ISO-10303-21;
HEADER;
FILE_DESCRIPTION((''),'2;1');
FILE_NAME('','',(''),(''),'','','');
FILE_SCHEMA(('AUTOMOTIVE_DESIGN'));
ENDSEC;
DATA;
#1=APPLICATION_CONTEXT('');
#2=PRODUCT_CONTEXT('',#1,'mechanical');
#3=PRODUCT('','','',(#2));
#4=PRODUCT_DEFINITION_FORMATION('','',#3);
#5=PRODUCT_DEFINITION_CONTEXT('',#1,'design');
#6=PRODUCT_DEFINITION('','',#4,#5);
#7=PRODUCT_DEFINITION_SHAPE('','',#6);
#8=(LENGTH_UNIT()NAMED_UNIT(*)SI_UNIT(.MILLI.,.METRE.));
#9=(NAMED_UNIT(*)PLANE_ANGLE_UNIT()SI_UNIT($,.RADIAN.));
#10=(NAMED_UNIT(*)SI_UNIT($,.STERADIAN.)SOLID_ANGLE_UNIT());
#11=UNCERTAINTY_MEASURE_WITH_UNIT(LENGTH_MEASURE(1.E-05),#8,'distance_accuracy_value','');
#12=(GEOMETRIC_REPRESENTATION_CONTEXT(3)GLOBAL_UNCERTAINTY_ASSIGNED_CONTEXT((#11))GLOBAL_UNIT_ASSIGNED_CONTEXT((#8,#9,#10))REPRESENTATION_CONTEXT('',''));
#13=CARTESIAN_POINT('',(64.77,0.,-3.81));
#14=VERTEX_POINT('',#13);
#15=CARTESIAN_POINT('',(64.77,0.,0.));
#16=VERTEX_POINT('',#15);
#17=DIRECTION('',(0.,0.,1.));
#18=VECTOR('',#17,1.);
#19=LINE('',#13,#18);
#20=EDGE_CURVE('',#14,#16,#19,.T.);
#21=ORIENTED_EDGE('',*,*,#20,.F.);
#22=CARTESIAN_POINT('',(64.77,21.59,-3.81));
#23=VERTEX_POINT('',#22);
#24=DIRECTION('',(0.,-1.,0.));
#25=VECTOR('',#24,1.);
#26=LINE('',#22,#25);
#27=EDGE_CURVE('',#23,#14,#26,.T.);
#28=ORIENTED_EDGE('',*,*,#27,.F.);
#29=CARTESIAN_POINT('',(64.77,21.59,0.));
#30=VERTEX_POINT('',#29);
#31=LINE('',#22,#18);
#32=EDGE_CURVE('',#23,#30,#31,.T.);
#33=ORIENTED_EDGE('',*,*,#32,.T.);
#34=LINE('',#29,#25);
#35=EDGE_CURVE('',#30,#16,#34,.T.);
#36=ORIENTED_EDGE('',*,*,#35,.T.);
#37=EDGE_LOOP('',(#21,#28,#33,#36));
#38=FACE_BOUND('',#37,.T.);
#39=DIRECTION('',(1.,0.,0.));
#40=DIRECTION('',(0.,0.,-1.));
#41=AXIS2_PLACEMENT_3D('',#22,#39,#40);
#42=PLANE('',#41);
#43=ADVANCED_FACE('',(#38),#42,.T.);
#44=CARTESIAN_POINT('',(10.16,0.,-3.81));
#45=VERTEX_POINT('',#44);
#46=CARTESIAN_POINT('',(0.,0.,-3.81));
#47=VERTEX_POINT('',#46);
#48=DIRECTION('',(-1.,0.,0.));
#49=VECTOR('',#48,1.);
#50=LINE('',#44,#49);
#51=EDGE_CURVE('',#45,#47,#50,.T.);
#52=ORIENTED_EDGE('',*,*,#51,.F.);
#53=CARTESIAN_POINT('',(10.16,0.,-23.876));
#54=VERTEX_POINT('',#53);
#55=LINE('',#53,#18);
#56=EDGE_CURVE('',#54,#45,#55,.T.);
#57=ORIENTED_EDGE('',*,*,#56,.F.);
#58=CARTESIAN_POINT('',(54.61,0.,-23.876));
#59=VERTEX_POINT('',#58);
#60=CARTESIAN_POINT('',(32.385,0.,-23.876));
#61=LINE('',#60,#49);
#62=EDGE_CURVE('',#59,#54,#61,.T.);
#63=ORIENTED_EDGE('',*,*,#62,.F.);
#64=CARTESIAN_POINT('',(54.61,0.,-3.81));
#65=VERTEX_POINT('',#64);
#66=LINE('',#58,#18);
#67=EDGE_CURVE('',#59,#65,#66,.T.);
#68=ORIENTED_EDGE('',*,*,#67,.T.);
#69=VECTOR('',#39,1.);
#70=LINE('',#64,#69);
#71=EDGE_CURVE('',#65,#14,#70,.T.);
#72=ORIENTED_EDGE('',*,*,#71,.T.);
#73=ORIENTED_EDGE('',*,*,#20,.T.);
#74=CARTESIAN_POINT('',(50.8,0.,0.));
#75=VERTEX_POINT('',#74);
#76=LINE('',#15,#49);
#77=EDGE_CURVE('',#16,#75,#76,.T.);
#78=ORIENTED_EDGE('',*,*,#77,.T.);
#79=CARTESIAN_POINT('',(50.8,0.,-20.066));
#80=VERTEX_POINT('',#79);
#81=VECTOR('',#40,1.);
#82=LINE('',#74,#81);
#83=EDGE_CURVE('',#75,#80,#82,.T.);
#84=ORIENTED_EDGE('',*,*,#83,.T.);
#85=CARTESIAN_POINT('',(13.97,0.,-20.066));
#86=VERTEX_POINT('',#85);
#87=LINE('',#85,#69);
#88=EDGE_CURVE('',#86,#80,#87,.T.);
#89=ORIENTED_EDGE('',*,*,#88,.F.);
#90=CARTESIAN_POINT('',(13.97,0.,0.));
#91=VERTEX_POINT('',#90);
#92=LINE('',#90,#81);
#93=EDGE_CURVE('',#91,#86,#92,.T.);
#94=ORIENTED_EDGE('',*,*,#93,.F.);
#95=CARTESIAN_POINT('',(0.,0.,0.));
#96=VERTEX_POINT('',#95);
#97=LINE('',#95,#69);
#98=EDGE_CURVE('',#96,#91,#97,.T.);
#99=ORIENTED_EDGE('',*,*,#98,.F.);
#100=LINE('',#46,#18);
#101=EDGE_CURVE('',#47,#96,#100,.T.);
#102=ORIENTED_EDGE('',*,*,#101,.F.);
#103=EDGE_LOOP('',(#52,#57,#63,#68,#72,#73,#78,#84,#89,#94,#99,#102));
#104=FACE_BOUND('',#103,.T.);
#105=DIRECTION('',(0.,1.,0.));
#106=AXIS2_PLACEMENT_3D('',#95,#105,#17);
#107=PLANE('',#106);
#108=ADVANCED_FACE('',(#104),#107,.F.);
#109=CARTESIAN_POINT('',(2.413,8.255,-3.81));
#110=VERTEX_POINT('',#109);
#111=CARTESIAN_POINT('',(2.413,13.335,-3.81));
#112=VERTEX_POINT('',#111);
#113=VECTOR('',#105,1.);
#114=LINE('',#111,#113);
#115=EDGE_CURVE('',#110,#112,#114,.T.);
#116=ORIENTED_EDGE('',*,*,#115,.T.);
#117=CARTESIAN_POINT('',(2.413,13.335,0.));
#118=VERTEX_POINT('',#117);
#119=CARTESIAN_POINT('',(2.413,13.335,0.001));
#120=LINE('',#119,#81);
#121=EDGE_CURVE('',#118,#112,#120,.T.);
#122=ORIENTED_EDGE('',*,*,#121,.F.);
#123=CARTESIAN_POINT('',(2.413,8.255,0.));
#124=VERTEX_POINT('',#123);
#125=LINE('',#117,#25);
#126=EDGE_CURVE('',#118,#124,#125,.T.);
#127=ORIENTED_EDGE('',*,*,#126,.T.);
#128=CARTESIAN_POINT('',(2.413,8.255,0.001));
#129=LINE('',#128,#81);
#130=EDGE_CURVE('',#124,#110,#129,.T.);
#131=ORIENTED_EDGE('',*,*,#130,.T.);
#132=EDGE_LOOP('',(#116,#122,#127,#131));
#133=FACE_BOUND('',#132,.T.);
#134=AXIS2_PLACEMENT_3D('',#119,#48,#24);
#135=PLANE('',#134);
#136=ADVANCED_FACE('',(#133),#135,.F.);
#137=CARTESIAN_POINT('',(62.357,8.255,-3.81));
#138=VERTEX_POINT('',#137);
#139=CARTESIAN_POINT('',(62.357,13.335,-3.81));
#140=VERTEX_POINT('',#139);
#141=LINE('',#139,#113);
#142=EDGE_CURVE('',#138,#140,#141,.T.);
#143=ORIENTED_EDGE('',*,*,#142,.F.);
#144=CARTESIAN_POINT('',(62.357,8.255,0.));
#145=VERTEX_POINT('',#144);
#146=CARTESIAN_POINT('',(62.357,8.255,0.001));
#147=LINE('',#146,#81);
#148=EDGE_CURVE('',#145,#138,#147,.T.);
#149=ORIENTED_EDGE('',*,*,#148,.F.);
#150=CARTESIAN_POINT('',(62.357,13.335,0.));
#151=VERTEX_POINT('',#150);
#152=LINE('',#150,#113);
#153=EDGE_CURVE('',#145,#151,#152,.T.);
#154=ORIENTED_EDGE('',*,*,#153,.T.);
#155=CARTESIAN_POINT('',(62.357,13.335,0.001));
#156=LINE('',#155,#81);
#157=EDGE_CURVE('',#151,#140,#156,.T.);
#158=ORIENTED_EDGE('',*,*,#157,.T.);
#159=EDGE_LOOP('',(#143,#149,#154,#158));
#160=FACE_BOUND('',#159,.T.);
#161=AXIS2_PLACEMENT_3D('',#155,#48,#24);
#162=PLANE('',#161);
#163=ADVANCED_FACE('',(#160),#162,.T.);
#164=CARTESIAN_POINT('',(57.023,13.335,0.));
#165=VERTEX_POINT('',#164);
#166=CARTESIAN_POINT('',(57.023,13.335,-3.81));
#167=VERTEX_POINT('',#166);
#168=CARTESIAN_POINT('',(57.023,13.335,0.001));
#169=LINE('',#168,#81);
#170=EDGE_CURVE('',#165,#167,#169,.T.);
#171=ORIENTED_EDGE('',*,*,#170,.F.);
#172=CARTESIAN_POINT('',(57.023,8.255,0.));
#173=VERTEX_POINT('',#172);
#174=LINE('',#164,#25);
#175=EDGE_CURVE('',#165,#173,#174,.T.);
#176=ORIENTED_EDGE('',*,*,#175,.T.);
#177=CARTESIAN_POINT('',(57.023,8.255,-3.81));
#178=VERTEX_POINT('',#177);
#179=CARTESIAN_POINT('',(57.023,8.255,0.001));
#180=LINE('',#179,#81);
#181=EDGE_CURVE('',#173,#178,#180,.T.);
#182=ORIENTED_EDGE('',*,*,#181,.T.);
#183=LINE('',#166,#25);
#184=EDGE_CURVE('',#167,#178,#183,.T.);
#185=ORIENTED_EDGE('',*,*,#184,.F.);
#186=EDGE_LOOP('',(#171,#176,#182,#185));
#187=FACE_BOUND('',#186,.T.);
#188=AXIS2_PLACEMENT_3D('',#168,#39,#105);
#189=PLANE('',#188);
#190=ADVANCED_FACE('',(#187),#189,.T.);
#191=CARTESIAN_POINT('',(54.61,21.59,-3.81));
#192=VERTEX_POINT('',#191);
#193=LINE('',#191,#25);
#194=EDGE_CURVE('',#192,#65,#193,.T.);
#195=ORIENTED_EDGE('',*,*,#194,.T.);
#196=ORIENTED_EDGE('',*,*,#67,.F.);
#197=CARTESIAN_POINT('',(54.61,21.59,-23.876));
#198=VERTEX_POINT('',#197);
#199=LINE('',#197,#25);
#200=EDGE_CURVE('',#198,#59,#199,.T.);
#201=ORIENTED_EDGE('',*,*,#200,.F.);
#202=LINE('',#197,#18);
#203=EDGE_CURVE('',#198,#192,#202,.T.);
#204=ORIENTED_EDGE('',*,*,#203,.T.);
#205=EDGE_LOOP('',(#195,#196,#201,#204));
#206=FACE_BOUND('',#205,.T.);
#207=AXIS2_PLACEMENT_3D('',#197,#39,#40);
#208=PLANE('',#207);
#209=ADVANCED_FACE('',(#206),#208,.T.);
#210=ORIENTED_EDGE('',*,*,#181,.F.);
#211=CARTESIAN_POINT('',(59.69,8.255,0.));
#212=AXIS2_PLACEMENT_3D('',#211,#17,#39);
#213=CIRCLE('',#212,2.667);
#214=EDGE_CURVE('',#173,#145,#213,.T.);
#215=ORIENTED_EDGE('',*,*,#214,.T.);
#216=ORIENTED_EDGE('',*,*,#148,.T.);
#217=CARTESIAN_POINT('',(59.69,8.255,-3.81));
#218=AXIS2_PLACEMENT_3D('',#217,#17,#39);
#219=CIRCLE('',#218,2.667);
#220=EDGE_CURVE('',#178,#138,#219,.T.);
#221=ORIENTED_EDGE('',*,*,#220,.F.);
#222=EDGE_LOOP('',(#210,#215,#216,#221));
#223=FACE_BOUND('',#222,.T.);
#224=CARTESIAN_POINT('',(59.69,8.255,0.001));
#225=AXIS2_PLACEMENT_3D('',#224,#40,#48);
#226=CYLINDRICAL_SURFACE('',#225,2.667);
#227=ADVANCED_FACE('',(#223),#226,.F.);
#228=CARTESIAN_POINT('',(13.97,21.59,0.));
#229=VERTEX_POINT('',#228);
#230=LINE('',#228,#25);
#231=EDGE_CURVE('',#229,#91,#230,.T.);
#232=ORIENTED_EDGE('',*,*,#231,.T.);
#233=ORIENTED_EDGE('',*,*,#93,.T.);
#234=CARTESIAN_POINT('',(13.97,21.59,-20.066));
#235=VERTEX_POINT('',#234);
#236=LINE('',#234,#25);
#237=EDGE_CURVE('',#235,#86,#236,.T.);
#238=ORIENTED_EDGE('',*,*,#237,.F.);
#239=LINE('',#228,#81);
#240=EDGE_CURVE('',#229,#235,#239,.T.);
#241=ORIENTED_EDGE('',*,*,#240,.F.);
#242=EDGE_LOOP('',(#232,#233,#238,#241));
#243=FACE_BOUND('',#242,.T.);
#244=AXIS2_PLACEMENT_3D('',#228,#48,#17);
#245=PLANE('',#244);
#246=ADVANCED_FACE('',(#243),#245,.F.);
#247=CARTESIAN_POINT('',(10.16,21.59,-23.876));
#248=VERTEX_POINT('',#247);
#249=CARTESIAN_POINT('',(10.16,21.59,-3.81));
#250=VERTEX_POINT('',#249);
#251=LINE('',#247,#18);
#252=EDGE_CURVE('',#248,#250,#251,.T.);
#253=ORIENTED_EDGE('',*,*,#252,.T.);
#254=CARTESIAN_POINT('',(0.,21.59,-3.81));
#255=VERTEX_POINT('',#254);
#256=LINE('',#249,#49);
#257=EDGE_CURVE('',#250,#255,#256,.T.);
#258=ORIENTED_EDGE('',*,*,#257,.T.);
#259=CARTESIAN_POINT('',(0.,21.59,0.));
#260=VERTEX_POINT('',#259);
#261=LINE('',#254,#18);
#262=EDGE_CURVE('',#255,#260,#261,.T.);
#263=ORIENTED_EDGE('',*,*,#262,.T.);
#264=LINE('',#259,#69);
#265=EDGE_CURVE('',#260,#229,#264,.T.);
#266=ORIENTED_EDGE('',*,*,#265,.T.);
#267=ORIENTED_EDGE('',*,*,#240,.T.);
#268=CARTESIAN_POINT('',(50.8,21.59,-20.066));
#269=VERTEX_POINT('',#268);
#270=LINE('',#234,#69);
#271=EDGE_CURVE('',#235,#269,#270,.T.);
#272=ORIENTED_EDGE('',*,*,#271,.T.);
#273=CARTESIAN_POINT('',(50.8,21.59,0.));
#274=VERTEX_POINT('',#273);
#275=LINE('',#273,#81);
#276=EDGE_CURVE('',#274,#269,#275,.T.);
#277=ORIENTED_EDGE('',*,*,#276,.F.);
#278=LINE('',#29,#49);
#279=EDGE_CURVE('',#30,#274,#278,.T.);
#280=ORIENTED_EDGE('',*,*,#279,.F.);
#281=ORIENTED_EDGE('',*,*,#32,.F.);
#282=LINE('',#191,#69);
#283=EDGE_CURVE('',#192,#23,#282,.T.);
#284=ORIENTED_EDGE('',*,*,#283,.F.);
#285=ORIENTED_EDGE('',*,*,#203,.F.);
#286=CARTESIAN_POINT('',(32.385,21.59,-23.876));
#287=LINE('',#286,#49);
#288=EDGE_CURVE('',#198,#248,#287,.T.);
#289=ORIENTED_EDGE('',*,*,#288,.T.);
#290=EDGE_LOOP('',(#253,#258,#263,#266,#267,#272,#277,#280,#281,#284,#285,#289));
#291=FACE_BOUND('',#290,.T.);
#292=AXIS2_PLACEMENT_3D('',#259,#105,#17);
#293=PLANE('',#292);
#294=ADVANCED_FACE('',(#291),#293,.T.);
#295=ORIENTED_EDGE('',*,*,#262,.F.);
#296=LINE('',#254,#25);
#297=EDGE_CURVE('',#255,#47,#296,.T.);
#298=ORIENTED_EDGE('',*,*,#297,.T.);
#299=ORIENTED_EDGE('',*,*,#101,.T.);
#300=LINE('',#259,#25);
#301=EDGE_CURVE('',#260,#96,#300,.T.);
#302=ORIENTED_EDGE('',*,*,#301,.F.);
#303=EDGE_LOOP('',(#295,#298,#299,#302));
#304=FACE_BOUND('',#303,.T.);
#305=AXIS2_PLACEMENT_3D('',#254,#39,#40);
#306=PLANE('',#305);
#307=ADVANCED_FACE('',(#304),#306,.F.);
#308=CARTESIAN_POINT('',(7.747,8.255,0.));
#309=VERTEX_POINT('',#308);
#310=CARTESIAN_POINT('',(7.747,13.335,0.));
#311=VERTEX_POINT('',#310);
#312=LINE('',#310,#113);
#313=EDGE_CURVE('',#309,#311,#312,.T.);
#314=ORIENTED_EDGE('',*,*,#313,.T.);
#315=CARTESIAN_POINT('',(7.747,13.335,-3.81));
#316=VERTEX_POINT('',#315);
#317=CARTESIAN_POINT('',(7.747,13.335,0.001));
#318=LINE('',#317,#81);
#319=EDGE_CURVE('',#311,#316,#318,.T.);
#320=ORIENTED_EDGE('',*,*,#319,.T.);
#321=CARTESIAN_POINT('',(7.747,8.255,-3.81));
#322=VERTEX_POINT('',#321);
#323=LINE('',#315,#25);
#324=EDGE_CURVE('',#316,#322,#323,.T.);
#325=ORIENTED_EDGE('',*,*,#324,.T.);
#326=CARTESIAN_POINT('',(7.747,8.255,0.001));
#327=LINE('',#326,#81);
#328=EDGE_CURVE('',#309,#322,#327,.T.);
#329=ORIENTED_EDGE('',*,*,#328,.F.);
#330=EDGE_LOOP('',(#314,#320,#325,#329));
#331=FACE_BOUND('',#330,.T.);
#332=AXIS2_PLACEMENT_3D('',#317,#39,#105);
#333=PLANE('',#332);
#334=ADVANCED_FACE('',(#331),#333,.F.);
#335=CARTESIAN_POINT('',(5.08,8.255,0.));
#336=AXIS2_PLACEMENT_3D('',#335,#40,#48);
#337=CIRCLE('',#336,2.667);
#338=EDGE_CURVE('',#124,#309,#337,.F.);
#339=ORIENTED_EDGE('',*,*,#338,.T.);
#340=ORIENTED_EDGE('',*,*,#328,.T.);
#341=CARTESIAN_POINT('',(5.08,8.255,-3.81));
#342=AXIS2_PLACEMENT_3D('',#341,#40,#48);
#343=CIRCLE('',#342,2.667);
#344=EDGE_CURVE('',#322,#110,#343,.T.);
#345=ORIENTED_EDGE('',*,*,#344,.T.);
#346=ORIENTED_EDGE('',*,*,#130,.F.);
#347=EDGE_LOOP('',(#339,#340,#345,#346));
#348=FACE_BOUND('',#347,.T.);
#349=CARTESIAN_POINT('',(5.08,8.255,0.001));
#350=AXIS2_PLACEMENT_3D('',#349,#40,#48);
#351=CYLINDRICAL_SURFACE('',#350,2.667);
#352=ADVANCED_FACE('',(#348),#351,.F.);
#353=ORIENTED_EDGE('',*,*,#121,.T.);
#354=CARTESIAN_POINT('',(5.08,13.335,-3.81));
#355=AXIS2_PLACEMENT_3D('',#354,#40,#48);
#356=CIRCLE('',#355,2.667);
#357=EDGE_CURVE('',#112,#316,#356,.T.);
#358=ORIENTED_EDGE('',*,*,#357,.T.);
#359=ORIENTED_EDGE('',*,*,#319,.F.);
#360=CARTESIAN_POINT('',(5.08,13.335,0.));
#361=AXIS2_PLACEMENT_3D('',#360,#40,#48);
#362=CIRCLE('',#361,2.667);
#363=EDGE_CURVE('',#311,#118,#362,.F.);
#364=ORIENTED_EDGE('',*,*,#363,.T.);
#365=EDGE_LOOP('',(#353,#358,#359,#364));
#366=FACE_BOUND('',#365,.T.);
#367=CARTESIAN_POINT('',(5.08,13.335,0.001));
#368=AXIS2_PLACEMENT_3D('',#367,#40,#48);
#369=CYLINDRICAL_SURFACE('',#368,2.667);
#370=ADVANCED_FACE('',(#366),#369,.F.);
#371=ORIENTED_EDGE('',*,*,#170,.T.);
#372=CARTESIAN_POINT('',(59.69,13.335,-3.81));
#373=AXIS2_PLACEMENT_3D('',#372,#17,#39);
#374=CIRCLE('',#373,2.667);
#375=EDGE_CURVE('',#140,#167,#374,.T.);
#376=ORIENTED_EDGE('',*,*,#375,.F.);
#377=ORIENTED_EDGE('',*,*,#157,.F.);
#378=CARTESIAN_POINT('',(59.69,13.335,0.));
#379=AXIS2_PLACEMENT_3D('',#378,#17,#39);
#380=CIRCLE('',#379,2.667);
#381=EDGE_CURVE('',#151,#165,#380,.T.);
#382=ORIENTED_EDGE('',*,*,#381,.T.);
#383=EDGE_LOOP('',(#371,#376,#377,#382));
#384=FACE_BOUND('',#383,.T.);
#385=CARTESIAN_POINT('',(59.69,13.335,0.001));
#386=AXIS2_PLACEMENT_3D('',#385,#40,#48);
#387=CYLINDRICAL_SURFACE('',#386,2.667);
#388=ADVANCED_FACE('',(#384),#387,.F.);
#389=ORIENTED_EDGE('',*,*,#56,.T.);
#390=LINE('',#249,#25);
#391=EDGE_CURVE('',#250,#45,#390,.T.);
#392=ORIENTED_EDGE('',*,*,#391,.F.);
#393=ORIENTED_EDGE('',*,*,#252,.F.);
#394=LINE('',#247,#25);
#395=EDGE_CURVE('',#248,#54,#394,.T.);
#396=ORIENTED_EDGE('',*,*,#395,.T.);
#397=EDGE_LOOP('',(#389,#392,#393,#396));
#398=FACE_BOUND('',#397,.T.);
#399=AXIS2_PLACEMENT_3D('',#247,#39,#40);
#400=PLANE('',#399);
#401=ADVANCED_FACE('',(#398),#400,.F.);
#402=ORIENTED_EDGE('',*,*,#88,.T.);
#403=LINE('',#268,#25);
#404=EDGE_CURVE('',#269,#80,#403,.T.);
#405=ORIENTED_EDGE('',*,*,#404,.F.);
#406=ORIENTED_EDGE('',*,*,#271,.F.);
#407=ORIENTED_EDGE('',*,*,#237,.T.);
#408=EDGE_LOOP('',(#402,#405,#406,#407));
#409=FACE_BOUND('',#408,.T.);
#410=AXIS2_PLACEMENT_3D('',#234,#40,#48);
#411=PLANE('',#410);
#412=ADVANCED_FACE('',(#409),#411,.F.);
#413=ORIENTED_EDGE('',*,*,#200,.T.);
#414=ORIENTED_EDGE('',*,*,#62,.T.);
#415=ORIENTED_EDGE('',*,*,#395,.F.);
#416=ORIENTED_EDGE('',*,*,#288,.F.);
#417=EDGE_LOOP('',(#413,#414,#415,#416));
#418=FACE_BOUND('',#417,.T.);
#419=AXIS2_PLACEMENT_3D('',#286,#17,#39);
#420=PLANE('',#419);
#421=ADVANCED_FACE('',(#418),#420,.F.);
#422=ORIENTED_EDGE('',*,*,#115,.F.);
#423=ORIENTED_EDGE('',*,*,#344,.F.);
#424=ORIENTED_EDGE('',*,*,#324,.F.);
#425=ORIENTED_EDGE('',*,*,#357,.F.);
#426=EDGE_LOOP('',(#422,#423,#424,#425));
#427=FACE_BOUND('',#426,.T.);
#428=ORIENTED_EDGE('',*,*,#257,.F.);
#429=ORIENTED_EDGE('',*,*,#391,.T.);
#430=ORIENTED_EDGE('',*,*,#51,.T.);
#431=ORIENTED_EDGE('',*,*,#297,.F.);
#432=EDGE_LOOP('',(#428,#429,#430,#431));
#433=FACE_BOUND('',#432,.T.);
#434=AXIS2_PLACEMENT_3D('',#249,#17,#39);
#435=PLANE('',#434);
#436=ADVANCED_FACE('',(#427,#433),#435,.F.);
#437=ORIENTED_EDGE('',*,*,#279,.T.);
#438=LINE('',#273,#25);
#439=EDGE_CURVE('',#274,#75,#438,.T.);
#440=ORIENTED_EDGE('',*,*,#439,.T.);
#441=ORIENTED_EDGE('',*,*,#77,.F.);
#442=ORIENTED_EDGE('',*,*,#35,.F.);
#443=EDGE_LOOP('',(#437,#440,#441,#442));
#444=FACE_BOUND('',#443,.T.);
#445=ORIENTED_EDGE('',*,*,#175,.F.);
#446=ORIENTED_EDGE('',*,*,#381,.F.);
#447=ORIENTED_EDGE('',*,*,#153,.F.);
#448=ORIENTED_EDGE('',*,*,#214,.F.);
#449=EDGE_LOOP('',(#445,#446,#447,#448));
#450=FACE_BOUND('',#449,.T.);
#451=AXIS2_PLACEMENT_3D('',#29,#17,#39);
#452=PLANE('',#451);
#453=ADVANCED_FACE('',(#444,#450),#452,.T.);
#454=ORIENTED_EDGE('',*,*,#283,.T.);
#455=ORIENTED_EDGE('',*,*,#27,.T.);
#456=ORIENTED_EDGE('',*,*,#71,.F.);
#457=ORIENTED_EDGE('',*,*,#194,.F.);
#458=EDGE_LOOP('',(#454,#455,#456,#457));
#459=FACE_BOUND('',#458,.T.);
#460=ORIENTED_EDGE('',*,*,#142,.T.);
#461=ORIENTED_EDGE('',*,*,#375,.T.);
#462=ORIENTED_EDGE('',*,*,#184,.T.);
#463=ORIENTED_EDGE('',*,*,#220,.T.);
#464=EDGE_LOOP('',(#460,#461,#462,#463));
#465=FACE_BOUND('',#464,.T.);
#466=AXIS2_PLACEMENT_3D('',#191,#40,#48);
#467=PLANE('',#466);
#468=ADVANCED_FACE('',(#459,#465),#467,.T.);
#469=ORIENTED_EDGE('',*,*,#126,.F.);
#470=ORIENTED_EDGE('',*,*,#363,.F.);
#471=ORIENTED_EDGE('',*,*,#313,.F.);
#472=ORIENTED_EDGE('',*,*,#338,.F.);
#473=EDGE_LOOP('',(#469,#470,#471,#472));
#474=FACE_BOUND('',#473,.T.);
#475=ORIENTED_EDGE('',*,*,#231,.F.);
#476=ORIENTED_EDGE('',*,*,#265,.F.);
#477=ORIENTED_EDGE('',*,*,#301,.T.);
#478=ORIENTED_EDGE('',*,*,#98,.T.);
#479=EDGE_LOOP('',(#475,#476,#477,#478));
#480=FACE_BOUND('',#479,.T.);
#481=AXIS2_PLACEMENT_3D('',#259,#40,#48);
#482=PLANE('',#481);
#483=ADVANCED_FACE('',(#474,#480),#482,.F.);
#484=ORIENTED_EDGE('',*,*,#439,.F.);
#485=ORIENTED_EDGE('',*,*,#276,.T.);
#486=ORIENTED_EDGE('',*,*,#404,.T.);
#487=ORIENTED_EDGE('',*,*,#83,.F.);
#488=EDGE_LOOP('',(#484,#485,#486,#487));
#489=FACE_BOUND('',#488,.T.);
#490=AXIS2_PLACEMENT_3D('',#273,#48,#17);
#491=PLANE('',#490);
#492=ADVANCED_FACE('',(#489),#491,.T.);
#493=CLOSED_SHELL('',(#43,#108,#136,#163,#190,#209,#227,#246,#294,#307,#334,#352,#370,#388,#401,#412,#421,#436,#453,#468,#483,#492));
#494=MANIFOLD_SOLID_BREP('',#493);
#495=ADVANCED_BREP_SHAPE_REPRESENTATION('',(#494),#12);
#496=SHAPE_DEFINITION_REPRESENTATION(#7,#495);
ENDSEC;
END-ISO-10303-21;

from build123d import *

# Parameters (mm, degrees)
BASE_DEPTH     = 21.59
BOLTHOLE_REACH = 45.79


with BuildPart() as part:
    # Sketch4 → base (new body)
    with BuildSketch(Plane(origin=(0, 0, 0), x_dir=(1, 0, 0), z_dir=(0, 1, 0))):
        Polygon((0, 0), (13.97, 0), (13.97, 20.066), (32.385, 20.066), (32.385, 23.876), (10.16, 23.876), (10.16, 3.81), (0, 3.81), align=None)
    base = extrude(amount=BASE_DEPTH)

    # Sketch5 → bolthole (cut, up to next)
    with BuildSketch(Plane(origin=(0, 0, -3.81), x_dir=(-1, 0, 0), z_dir=(0, 0, -1)), mode=Mode.PRIVATE) as bolthole_sk1:
        with BuildLine():
            Line((-2.413, 13.335), (-2.413, 8.255))
            ThreePointArc((-2.413, 8.255), (-5.08, 5.588), (-7.747, 8.255))
            Line((-7.747, 8.255), (-7.747, 13.335))
            ThreePointArc((-7.747, 13.335), (-5.08, 16.002), (-2.413, 13.335))
        make_face()
    bolthole_tool1 = extrude(bolthole_sk1.sketch, amount=-BOLTHOLE_REACH, mode=Mode.PRIVATE) & part.part
    bolthole = bolthole_tool1.solids().sort_by_distance((5.08, 10.795, -3.81))[0]
    add(bolthole, mode=Mode.SUBTRACT)

    # Mirror1: base, bolthole across plane
    add(base.mirror(Plane(origin=(32.385, 21.59, -20.066), x_dir=(0, 0, 1), z_dir=(-1, 0, 0))))
    add(bolthole.mirror(Plane(origin=(32.385, 21.59, -20.066), x_dir=(0, 0, 1), z_dir=(-1, 0, 0))), mode=Mode.SUBTRACT)


solid = part.part
